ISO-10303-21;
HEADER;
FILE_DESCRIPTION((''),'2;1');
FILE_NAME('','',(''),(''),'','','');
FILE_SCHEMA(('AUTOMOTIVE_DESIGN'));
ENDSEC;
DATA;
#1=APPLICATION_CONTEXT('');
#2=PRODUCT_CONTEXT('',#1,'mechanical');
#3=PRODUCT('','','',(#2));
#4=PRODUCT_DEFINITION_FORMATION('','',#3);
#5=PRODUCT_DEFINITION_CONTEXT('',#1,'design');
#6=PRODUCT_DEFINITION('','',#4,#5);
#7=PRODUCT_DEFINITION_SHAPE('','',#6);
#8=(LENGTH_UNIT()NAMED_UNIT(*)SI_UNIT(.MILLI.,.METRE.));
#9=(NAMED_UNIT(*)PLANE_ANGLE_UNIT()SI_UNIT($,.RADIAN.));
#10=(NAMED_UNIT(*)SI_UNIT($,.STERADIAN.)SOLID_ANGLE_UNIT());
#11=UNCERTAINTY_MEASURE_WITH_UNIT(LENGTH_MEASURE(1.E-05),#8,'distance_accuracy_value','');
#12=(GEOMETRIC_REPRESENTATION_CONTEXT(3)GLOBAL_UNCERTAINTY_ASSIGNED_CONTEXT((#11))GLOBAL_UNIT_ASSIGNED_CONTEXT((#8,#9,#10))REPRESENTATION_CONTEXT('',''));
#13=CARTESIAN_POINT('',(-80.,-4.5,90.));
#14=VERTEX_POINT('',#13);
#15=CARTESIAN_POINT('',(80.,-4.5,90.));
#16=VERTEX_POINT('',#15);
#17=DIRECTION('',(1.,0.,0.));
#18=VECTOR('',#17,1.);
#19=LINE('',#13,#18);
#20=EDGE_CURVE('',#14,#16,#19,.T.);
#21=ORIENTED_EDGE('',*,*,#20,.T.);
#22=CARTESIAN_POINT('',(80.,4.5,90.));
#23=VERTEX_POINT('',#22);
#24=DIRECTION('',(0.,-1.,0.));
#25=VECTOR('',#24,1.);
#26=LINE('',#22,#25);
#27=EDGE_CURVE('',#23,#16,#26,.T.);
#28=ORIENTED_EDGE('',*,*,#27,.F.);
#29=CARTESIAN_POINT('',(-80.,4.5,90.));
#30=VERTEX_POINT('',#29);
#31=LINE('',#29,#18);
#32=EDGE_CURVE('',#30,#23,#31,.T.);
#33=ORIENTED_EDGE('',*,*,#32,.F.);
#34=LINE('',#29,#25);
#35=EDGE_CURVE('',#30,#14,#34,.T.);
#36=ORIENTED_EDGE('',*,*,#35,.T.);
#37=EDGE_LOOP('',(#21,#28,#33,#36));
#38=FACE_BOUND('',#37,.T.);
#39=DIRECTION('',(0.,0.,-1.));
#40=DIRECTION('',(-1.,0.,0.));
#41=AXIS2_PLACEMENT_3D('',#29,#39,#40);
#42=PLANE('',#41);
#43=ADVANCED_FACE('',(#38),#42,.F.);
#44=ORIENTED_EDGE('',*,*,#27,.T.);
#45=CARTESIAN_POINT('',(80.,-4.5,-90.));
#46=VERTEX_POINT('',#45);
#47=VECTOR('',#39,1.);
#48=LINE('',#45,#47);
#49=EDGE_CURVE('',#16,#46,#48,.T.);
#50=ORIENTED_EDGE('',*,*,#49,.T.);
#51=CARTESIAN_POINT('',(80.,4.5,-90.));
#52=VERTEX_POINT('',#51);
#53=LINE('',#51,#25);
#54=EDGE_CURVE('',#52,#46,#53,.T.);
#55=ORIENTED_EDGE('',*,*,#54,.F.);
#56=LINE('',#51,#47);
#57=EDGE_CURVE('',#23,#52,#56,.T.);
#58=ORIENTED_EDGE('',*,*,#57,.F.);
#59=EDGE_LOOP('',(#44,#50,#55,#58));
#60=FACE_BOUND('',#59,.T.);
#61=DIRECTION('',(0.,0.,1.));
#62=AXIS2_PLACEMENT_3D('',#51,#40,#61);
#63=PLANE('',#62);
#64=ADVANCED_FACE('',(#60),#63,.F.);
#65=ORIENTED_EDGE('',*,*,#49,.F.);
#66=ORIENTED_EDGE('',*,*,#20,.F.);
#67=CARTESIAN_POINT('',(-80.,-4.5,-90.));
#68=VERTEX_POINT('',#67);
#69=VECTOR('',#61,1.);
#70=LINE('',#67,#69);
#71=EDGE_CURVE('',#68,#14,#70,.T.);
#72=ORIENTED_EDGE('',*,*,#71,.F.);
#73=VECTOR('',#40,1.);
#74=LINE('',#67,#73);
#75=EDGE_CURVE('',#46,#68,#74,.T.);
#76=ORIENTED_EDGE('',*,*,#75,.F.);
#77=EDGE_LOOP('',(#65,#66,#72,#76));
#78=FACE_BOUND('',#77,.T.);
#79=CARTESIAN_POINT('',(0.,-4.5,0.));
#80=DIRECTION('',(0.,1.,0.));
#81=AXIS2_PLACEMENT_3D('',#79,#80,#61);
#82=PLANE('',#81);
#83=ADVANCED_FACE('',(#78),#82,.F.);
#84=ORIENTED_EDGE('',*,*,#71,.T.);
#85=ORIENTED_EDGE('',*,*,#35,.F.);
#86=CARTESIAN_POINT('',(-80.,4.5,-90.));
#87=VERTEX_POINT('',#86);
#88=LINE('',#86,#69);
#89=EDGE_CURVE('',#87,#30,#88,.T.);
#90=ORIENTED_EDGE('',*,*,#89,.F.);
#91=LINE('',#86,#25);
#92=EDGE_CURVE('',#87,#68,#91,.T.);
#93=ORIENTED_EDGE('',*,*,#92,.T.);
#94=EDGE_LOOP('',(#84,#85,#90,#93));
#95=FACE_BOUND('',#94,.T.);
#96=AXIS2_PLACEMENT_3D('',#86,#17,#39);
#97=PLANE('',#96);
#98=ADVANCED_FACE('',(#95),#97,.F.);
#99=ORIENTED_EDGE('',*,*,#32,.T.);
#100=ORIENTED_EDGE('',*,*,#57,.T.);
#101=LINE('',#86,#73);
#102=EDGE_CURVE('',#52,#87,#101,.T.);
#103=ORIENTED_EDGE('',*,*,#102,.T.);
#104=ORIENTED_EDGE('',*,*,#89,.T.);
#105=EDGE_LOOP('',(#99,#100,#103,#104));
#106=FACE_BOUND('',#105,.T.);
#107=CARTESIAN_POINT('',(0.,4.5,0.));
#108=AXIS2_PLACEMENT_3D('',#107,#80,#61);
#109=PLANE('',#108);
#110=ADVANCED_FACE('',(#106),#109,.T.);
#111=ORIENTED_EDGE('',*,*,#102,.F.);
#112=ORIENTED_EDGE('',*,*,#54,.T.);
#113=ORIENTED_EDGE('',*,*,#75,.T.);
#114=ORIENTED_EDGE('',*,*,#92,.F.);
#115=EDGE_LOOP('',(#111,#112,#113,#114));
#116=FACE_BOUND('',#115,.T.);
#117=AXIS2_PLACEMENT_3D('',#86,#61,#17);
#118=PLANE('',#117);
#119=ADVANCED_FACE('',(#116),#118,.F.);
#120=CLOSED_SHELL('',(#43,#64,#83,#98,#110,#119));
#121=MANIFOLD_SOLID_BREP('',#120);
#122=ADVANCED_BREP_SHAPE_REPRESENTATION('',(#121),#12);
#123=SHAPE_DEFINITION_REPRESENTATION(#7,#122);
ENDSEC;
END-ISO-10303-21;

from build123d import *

# Parameters (mm, degrees)
SKETCH1_W           = 160
SKETCH1_H           = 180
BOSS_EXTRUDE1_DEPTH = 4.5


with BuildPart() as part:
    # Sketch1 → Boss-Extrude1 (new, symmetric)
    with BuildSketch(Plane(origin=(0, 0, 0), x_dir=(1, 0, 0), z_dir=(0, 1, 0))):
        Rectangle(SKETCH1_W, SKETCH1_H)
    extrude(amount=BOSS_EXTRUDE1_DEPTH, both=True)


solid = part.part
